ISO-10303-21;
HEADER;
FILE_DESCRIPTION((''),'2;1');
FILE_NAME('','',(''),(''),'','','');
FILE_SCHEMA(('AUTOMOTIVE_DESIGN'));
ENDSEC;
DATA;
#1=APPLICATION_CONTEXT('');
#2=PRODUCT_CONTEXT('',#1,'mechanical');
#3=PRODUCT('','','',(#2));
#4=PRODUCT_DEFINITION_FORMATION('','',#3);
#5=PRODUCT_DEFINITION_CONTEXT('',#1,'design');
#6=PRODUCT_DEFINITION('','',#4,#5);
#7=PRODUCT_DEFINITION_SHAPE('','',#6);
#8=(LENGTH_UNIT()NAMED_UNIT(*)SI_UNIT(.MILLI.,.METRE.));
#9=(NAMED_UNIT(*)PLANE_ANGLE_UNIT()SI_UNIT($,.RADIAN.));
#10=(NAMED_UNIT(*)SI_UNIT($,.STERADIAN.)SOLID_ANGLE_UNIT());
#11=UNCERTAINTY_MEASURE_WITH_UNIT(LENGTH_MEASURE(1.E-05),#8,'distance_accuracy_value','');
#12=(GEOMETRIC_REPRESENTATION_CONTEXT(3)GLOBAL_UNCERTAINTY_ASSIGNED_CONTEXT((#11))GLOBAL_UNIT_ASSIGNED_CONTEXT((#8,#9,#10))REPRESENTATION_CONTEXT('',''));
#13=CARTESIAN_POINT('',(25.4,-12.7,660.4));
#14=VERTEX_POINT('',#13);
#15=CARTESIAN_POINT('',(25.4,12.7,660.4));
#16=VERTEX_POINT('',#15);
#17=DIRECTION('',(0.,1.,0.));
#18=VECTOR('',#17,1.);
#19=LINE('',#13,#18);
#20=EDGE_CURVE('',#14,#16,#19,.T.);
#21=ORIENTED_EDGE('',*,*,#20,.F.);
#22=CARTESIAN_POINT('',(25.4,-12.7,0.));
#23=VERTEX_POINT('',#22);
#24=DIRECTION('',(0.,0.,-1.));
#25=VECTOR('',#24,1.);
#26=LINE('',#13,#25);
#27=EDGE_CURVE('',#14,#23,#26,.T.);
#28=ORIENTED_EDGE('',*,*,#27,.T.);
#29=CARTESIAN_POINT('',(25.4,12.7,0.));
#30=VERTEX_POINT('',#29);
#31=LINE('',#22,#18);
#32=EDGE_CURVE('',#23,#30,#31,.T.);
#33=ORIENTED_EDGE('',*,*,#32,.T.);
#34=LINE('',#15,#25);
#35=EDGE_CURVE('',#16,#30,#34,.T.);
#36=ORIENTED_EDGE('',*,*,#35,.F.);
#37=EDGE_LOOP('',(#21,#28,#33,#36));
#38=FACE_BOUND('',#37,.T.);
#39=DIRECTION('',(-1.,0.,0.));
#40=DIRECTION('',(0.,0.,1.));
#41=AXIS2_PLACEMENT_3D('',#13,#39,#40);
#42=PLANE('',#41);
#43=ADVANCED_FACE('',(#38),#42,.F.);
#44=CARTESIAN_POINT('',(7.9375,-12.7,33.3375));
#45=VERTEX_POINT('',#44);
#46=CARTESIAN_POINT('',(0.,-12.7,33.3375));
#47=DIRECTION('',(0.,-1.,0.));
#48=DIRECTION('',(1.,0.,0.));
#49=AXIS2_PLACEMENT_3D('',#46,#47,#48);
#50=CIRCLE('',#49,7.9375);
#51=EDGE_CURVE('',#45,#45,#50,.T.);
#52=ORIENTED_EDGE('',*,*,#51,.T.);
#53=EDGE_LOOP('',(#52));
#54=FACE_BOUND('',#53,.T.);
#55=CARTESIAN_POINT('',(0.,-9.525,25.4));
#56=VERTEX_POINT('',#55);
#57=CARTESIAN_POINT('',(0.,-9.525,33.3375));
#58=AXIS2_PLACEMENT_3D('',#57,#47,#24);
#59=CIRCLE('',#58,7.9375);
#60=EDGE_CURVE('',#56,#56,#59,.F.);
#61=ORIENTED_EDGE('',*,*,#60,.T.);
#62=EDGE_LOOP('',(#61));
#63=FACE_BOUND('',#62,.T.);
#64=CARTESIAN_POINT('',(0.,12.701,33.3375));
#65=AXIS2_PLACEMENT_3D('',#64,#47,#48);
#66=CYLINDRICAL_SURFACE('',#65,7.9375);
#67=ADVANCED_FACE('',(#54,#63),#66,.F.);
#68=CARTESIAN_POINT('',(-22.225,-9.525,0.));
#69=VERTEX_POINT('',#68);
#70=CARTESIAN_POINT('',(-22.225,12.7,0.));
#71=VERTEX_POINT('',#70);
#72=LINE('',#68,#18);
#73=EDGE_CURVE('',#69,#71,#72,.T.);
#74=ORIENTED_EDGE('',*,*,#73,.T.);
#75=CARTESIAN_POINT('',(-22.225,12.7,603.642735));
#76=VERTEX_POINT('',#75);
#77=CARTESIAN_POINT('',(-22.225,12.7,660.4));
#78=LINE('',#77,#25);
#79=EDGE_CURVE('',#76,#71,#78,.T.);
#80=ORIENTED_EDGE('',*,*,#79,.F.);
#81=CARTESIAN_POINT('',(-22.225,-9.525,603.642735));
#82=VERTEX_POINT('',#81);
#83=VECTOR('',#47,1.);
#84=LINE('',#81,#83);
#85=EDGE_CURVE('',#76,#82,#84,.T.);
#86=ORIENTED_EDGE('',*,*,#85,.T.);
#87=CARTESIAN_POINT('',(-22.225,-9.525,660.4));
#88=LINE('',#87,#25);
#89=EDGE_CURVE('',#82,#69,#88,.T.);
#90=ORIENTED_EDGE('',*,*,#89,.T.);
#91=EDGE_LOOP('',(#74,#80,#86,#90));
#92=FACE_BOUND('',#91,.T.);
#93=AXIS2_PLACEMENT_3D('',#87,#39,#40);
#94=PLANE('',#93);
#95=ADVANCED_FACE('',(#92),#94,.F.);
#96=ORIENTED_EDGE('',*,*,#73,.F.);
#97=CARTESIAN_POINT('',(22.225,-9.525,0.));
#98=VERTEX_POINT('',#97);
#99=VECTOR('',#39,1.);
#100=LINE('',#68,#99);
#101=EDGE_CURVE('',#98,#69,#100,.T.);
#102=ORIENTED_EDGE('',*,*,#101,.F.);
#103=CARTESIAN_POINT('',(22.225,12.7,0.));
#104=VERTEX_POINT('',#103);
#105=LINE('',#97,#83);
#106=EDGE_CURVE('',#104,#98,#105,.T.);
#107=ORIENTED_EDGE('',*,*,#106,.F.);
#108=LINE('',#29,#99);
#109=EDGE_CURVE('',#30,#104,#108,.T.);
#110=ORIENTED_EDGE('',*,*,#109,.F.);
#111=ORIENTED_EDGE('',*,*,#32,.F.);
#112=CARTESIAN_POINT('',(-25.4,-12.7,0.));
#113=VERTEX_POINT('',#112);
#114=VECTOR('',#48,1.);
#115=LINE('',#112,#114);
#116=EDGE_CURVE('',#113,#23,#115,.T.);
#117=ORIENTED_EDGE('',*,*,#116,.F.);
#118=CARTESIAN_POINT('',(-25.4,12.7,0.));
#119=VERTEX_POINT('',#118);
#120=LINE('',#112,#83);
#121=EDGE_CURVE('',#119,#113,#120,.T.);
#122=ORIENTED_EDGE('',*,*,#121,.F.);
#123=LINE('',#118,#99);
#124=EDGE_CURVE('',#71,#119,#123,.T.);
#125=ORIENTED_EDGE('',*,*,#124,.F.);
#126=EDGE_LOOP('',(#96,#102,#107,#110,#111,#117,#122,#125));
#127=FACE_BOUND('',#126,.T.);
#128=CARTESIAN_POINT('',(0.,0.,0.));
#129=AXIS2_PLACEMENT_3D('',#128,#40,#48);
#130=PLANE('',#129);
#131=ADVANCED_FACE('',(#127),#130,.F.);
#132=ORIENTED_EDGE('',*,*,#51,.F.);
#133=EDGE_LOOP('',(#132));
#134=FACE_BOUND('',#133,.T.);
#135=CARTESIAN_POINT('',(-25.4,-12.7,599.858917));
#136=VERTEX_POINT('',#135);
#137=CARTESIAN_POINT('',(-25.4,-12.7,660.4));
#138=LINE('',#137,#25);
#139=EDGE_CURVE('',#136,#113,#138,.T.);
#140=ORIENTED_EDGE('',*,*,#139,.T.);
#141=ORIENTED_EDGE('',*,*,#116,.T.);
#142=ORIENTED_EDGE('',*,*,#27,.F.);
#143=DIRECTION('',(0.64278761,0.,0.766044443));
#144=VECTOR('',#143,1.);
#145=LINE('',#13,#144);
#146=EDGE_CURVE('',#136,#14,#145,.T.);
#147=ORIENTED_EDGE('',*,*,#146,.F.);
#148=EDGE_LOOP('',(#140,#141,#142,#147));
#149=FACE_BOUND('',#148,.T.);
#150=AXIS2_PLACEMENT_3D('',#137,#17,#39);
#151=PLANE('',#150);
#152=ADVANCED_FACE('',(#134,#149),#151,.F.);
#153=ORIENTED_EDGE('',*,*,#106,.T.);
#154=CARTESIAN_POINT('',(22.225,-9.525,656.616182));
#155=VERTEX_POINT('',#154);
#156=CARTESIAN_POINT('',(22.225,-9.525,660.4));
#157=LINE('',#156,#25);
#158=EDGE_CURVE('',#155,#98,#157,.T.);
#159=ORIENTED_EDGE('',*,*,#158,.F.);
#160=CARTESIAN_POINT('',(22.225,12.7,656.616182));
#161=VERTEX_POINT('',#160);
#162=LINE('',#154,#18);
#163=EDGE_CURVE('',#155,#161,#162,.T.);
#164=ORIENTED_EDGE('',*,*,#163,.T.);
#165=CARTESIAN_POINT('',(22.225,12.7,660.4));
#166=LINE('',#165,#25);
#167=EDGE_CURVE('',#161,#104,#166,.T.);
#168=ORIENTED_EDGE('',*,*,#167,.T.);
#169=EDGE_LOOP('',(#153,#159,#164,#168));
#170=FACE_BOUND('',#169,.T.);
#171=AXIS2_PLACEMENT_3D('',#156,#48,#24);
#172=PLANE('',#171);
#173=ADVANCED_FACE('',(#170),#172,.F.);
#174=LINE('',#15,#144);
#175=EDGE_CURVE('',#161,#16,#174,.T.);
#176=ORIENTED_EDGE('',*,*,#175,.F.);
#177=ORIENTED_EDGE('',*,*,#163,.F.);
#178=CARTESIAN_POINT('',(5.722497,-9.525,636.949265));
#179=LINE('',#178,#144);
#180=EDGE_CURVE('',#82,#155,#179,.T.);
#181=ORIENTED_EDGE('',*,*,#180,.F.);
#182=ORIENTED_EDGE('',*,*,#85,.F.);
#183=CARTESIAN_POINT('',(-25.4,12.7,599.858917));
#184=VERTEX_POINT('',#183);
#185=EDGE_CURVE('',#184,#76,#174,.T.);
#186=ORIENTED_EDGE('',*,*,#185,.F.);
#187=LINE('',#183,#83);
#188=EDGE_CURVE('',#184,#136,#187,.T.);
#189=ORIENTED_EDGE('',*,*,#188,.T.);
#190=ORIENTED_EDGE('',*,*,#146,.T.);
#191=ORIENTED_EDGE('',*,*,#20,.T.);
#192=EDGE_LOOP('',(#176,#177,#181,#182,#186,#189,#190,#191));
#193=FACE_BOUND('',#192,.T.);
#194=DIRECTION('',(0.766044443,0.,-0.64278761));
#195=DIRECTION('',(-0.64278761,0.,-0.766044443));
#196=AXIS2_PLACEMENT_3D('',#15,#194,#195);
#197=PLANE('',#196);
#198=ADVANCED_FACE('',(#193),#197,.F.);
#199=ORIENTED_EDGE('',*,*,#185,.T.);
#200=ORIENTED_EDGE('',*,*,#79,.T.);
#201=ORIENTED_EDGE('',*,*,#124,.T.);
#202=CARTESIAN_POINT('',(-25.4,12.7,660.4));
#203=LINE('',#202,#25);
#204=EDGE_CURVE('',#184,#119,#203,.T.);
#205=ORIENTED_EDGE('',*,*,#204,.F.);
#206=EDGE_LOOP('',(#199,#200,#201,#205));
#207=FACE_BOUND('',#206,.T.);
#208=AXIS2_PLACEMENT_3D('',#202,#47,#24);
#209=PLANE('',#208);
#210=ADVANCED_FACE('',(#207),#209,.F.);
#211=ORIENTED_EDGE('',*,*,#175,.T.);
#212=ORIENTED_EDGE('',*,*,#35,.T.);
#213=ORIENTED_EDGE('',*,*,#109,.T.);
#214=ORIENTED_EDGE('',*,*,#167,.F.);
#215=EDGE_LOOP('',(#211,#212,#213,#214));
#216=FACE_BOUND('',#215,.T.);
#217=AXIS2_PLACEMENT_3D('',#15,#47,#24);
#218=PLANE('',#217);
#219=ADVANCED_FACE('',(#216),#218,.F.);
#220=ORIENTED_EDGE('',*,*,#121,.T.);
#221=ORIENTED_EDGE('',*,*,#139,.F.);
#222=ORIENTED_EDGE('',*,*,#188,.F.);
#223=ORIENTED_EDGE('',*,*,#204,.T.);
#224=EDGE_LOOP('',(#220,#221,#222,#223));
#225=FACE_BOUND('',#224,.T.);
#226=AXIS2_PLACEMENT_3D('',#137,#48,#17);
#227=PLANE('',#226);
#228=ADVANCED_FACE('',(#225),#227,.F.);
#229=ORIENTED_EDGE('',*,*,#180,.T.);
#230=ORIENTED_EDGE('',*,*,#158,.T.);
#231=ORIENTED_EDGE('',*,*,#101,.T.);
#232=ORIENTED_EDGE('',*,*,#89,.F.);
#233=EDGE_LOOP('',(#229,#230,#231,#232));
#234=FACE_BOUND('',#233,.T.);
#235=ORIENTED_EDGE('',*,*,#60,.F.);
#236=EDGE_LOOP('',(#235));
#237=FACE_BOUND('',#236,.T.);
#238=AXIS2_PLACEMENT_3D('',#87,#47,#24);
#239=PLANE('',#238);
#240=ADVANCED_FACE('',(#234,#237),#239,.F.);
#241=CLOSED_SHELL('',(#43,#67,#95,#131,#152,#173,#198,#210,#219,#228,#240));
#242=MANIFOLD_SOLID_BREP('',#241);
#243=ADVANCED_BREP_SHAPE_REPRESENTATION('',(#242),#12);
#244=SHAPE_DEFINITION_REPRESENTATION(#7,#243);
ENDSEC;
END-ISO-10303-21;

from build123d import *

# Parameters (mm, degrees)
BOSS_EXTRUDE1_DEPTH = 660.4
CUT_EXTRUDE1_DEPTH  = 662.376201568
CUT_EXTRUDE2_REACH  = 663.376
SKETCH3_R           = 7.9375


with BuildPart() as part:
    # Sketch1 → Boss-Extrude1 (new body)
    with BuildSketch(Plane.XY):
        Polygon((-22.225, -9.525), (-22.225, 12.7), (-25.4, 12.7), (-25.4, -12.7), (25.4, -12.7), (25.4, 12.7), (22.225, 12.7), (22.225, -9.525), align=None)
    extrude(amount=BOSS_EXTRUDE1_DEPTH)

    # Sketch2 → Cut-Extrude1 (cut, through all)
    with BuildSketch(Plane.XZ.offset(12.7)):
        Polygon((25.4, 660.4), (-25.4, 599.858917496), (-25.4, 660.4), align=None)
    extrude(amount=-CUT_EXTRUDE1_DEPTH, mode=Mode.SUBTRACT)

    # Sketch3 → Cut-Extrude2 (cut, up to next)
    with BuildSketch(Plane.XZ.offset(12.7), mode=Mode.PRIVATE) as cut_extrude2_sk1:
        with Locations((0, 33.3375)):
            Circle(SKETCH3_R)
    cut_extrude2_tool1 = extrude(cut_extrude2_sk1.sketch, amount=-CUT_EXTRUDE2_REACH, mode=Mode.PRIVATE) & part.part
    add(cut_extrude2_tool1.solids().sort_by_distance((0, -12.7, 33.3375))[0], mode=Mode.SUBTRACT)


solid = part.part
